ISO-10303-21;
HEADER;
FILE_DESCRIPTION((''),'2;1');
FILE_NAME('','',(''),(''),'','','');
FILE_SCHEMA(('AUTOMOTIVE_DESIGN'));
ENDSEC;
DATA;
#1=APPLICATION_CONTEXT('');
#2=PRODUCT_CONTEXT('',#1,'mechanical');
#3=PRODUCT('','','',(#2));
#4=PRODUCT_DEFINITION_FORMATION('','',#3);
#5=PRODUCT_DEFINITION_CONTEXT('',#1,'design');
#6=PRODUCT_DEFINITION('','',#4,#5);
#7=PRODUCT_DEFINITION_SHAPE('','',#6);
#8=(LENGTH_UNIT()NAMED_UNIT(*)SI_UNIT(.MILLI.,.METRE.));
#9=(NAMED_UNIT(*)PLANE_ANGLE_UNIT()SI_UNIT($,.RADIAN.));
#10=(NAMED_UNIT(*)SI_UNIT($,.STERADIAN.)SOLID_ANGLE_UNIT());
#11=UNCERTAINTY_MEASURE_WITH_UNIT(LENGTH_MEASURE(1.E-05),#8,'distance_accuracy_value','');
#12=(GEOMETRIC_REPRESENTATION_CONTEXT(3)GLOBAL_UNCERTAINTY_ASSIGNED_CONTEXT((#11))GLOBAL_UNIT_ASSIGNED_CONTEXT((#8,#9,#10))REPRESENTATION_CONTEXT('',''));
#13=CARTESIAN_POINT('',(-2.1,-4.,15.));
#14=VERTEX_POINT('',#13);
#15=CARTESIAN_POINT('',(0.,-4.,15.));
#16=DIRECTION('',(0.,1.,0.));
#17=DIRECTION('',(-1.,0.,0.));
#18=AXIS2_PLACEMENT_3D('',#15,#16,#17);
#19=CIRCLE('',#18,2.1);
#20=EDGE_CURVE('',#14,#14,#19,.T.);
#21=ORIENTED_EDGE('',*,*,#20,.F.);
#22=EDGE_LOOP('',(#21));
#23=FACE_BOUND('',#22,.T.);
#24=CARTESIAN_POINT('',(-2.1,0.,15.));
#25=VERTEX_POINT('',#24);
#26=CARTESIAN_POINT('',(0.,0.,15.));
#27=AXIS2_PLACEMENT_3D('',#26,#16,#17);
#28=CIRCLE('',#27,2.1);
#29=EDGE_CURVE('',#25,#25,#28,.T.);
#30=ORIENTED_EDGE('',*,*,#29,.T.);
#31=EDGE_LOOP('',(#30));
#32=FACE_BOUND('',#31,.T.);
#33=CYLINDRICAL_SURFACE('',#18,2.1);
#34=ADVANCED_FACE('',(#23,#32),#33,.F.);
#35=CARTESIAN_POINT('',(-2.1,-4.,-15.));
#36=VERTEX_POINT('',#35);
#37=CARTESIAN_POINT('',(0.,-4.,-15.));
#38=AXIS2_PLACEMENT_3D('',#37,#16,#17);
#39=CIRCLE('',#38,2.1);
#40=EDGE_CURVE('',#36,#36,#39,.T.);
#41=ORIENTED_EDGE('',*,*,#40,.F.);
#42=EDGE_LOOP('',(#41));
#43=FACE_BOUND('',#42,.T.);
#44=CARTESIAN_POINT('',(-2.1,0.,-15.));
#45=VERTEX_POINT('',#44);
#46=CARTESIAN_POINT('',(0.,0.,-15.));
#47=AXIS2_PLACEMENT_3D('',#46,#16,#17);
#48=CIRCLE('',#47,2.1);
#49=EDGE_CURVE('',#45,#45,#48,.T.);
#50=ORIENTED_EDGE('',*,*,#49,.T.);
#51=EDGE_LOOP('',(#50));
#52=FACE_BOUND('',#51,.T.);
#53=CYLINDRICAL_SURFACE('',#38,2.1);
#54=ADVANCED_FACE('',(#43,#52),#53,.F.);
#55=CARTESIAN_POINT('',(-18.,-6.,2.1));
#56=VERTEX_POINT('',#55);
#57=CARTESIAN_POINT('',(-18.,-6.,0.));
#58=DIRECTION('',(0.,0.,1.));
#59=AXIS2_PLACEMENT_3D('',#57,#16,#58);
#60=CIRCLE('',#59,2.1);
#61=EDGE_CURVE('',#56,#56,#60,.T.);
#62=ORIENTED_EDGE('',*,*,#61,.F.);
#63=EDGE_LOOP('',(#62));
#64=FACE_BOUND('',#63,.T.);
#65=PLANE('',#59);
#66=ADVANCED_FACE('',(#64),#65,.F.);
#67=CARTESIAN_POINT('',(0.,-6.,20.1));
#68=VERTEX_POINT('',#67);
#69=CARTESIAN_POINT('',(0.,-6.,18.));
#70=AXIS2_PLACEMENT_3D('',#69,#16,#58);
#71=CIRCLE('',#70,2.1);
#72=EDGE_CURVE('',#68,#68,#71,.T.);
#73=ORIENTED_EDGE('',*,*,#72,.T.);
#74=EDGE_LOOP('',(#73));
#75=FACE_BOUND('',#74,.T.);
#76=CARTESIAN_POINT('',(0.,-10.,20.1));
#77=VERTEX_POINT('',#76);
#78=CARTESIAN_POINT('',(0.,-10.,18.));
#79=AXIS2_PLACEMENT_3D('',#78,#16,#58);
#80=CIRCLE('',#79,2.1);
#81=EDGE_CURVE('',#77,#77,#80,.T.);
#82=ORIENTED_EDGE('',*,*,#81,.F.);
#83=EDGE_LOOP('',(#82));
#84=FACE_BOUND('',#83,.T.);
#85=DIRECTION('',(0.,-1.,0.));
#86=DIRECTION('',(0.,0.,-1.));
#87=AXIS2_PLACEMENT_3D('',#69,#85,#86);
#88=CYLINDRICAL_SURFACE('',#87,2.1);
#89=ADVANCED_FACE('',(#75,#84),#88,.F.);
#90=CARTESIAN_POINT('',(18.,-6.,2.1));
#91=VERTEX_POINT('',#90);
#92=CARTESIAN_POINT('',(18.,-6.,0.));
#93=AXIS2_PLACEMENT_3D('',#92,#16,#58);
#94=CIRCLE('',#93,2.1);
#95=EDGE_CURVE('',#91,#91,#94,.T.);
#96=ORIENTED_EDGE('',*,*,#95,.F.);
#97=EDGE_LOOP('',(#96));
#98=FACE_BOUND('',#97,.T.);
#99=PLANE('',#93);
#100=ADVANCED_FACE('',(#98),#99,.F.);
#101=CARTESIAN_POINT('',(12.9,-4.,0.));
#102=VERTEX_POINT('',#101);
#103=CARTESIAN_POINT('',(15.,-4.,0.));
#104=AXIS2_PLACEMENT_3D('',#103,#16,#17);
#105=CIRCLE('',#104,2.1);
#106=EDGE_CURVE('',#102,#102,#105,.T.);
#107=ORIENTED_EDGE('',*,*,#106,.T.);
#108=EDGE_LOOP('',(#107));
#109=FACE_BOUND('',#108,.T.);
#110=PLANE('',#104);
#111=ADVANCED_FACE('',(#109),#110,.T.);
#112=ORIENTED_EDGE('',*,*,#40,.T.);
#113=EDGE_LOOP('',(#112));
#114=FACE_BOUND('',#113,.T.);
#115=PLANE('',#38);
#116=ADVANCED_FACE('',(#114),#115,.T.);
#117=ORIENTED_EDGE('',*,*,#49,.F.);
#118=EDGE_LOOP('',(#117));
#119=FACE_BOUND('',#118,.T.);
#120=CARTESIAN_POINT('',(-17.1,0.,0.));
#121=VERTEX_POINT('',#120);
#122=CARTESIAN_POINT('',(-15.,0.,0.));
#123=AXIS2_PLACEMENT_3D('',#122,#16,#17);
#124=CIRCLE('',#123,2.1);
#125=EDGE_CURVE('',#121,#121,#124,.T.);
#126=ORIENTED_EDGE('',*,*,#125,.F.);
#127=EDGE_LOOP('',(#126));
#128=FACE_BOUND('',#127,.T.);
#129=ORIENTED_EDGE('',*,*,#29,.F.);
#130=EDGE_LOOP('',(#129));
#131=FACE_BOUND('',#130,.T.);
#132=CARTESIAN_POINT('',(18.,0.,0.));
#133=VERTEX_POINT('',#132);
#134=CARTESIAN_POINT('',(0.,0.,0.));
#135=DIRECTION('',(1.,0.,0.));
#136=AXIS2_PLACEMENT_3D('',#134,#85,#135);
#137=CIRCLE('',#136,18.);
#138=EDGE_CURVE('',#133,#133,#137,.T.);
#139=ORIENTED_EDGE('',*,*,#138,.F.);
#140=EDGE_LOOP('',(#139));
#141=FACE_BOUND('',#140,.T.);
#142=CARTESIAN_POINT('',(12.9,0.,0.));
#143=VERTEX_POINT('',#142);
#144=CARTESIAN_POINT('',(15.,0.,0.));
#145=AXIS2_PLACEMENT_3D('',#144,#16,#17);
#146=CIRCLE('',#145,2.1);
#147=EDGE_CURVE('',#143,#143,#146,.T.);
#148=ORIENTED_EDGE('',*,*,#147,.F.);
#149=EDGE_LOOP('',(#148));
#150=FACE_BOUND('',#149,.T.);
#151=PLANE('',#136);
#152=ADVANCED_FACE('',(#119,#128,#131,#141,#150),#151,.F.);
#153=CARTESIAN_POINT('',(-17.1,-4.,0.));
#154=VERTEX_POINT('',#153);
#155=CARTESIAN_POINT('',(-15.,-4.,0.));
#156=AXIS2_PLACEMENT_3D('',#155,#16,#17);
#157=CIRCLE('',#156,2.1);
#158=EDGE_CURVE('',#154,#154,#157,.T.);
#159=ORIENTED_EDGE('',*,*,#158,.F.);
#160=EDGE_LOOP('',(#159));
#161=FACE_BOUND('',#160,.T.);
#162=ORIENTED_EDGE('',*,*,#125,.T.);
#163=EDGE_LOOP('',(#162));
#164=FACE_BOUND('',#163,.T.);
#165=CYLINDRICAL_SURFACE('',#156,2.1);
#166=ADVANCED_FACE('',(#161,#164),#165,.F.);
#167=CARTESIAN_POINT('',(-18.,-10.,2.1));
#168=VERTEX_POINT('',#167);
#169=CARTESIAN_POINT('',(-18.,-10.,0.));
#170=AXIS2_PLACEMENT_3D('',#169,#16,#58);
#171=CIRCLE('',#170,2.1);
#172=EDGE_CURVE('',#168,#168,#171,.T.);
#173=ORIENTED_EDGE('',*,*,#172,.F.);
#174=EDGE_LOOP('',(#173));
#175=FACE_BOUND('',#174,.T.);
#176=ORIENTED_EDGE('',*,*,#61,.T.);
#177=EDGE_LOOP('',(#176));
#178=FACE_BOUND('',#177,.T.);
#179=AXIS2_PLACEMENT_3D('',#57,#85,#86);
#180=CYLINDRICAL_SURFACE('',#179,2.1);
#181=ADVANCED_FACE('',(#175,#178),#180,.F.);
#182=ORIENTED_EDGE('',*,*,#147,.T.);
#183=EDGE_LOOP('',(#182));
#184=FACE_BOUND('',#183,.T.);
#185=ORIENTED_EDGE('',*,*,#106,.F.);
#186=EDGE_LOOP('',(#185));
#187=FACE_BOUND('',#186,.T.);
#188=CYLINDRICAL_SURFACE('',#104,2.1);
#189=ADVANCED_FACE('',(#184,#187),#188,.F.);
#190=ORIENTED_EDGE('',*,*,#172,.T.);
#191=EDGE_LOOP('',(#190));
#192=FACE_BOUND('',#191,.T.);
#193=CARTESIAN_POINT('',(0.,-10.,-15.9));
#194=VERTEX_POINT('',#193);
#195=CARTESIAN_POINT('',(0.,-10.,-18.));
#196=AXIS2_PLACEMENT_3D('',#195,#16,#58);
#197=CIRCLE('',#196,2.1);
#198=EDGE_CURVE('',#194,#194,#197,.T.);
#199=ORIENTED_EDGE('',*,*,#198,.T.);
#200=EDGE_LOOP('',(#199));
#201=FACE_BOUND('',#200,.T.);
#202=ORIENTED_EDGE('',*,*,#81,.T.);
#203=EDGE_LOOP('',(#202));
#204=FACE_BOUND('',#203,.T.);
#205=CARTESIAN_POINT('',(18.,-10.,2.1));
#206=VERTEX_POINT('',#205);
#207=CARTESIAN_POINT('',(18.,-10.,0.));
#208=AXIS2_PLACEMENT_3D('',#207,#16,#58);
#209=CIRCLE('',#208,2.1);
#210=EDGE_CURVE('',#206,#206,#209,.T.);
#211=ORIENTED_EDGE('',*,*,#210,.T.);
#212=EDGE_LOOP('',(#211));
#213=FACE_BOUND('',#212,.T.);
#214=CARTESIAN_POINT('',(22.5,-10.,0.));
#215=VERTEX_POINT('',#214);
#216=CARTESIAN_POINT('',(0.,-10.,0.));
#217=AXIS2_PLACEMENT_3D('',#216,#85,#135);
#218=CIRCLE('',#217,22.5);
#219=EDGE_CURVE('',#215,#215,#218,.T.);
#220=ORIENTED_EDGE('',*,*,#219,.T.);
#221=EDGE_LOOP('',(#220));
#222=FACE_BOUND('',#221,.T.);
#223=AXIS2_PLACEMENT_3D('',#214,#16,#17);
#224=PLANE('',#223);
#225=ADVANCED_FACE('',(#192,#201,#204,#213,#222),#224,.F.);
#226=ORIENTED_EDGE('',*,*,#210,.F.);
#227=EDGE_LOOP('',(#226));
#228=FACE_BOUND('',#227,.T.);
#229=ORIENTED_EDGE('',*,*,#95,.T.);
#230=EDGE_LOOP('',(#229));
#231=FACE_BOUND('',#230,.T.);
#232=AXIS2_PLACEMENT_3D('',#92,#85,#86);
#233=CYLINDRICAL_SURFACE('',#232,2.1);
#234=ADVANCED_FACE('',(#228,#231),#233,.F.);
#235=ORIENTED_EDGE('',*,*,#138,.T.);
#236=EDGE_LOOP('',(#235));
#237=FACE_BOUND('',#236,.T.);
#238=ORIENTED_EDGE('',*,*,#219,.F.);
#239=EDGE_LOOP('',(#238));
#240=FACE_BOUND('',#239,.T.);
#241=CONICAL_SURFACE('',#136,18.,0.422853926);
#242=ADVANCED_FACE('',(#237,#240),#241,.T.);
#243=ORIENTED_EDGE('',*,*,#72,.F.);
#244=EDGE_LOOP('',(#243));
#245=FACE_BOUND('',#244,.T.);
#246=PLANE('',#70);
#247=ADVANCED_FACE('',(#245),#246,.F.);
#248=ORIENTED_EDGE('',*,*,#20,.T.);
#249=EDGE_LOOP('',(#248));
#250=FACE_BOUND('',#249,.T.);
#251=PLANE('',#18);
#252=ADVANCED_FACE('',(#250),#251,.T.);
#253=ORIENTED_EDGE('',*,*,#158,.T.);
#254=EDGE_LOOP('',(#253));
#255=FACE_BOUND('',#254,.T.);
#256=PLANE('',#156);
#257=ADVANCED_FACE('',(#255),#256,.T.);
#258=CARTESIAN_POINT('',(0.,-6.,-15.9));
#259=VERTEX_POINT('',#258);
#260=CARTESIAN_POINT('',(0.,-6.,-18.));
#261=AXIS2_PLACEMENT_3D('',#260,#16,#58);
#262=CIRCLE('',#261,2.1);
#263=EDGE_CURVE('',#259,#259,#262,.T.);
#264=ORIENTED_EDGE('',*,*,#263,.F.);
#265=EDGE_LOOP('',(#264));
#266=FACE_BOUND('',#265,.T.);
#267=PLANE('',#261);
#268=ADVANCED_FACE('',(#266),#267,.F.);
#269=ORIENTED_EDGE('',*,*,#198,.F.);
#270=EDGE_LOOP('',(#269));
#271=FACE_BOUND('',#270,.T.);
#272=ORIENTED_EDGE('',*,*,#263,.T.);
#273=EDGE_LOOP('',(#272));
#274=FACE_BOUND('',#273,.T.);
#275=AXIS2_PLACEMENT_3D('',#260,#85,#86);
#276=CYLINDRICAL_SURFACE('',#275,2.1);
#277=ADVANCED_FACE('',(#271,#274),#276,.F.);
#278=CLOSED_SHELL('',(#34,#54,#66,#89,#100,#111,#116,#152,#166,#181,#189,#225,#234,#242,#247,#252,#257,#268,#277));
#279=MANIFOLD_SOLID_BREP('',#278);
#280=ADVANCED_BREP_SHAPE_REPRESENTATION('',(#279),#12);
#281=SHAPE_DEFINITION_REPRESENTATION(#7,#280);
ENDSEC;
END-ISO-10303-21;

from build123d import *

# Parameters (mm, degrees)
SKETCH_26_R         = 2.1
CUT_EXTRUDE_2_DEPTH = 4
SKETCH_36_R         = 2.1
CUT_EXTRUDE_3_DEPTH = 4


with BuildPart() as part:
    # 草图8 → 旋转1 (revolve)
    with BuildSketch(Plane(origin=(0, 0, 0), x_dir=(-1, 0, 0), z_dir=(0, 0, -1))):
        Polygon((0, 0), (-18, 0), (-22.5, -10), (0, -10), align=None)
    revolve(axis=Axis((0, -10, 0), (0, 1, 0)))

    # 草图26 → 切除-拉伸2 (cut)
    with BuildSketch(Plane(origin=(0, -10, 0), x_dir=(1, 0, 0), z_dir=(0, 1, 0))):
        with Locations(Location((18, 0, 0), (0, 0, 270))):
            Circle(SKETCH_26_R)
        with Locations(Location((0, -18, 0), (0, 0, 270))):
            Circle(SKETCH_26_R)
        with Locations(Location((0, 18, 0), (0, 0, 270))):
            Circle(SKETCH_26_R)
        with Locations(Location((-18, 0, 0), (0, 0, 270))):
            Circle(SKETCH_26_R)
    extrude(amount=CUT_EXTRUDE_2_DEPTH, mode=Mode.SUBTRACT)

    # 草图36 → 切除-拉伸3 (cut)
    with BuildSketch(Plane(origin=(0, 0, 0), x_dir=(1, 0, 0), z_dir=(0, 1, 0))):
        with Locations(Location((0, 15, 0), (0, 0, 180))):
            Circle(SKETCH_36_R)
        with Locations(Location((15, 0, 0), (0, 0, 180))):
            Circle(SKETCH_36_R)
        with Locations(Location((0, -15, 0), (0, 0, 180))):
            Circle(SKETCH_36_R)
        with Locations(Location((-15, 0, 0), (0, 0, 180))):
            Circle(SKETCH_36_R)
    extrude(amount=-CUT_EXTRUDE_3_DEPTH, mode=Mode.SUBTRACT)


solid = part.part
